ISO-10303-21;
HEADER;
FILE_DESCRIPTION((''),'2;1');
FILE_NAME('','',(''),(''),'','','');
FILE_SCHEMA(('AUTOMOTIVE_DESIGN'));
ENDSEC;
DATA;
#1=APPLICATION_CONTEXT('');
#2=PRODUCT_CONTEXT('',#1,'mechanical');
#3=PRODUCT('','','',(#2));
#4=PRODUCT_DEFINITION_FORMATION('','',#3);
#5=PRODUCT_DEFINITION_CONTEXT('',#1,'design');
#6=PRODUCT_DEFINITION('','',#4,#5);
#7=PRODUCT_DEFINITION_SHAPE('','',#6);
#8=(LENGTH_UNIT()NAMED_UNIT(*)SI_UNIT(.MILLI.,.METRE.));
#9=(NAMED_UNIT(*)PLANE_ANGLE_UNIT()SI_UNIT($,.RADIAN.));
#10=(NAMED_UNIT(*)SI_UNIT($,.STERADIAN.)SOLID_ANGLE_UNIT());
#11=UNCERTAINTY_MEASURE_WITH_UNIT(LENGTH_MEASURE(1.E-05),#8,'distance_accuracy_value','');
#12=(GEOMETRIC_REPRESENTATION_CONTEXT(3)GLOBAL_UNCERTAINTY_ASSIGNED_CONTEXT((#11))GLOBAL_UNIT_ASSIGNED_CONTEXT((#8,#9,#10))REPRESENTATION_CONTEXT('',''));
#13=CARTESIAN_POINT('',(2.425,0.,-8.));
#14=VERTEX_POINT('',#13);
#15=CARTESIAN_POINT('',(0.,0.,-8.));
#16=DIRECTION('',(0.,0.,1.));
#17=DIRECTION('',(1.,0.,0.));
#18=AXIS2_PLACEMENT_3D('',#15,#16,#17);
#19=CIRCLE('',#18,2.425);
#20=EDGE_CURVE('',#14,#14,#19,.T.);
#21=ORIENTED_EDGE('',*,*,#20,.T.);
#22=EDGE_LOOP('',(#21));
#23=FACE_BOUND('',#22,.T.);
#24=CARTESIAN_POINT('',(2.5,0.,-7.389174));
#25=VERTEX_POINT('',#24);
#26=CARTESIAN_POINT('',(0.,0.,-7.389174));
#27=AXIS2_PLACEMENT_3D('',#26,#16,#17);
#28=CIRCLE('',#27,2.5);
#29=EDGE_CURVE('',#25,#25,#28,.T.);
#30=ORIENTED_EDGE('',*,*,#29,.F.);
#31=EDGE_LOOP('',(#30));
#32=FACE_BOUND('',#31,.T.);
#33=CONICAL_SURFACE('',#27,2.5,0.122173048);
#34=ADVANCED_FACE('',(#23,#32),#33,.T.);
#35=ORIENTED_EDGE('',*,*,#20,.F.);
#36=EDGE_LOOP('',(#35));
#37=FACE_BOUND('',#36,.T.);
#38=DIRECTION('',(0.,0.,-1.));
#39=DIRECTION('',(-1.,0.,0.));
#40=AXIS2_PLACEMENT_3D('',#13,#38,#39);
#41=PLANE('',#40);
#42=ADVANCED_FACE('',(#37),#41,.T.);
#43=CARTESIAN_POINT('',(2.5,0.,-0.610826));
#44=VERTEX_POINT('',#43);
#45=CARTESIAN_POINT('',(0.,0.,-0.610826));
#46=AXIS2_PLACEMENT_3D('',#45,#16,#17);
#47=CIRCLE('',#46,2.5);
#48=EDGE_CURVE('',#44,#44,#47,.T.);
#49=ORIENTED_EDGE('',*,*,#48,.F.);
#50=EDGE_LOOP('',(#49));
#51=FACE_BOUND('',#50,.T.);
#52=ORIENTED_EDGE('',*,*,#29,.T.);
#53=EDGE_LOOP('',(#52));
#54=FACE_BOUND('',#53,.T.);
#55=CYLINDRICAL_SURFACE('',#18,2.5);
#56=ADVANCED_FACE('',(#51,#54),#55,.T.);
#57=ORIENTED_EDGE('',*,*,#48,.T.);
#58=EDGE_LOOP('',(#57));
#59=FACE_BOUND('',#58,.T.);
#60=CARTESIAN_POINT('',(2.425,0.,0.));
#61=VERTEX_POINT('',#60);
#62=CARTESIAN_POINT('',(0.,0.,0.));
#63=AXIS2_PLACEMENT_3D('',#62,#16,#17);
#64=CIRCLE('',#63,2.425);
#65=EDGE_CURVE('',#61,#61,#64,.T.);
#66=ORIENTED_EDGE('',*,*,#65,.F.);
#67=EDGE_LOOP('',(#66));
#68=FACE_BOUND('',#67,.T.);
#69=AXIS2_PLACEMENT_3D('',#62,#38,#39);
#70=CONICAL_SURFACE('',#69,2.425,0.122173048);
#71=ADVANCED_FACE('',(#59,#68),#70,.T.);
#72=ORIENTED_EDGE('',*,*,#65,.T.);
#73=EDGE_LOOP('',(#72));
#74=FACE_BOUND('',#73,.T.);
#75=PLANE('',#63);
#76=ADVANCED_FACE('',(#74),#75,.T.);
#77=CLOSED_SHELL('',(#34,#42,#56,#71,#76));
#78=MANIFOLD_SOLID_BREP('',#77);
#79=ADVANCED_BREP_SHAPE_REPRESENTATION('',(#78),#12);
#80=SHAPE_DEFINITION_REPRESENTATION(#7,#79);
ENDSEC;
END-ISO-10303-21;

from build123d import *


with BuildPart() as part:
    # Sketch1 → Revolve1 (revolve)
    with BuildSketch(Plane(origin=(0, 0, 0), x_dir=(1, 0, 0), z_dir=(0, 1, 0))):
        Polygon((2.425, 8), (0, 8), (0, 0), (2.425, 0), (2.5, 0.610825982), (2.5, 7.389174018), align=None)
    revolve(axis=Axis((0, 0, -8), (0, 0, 1)))


solid = part.part
